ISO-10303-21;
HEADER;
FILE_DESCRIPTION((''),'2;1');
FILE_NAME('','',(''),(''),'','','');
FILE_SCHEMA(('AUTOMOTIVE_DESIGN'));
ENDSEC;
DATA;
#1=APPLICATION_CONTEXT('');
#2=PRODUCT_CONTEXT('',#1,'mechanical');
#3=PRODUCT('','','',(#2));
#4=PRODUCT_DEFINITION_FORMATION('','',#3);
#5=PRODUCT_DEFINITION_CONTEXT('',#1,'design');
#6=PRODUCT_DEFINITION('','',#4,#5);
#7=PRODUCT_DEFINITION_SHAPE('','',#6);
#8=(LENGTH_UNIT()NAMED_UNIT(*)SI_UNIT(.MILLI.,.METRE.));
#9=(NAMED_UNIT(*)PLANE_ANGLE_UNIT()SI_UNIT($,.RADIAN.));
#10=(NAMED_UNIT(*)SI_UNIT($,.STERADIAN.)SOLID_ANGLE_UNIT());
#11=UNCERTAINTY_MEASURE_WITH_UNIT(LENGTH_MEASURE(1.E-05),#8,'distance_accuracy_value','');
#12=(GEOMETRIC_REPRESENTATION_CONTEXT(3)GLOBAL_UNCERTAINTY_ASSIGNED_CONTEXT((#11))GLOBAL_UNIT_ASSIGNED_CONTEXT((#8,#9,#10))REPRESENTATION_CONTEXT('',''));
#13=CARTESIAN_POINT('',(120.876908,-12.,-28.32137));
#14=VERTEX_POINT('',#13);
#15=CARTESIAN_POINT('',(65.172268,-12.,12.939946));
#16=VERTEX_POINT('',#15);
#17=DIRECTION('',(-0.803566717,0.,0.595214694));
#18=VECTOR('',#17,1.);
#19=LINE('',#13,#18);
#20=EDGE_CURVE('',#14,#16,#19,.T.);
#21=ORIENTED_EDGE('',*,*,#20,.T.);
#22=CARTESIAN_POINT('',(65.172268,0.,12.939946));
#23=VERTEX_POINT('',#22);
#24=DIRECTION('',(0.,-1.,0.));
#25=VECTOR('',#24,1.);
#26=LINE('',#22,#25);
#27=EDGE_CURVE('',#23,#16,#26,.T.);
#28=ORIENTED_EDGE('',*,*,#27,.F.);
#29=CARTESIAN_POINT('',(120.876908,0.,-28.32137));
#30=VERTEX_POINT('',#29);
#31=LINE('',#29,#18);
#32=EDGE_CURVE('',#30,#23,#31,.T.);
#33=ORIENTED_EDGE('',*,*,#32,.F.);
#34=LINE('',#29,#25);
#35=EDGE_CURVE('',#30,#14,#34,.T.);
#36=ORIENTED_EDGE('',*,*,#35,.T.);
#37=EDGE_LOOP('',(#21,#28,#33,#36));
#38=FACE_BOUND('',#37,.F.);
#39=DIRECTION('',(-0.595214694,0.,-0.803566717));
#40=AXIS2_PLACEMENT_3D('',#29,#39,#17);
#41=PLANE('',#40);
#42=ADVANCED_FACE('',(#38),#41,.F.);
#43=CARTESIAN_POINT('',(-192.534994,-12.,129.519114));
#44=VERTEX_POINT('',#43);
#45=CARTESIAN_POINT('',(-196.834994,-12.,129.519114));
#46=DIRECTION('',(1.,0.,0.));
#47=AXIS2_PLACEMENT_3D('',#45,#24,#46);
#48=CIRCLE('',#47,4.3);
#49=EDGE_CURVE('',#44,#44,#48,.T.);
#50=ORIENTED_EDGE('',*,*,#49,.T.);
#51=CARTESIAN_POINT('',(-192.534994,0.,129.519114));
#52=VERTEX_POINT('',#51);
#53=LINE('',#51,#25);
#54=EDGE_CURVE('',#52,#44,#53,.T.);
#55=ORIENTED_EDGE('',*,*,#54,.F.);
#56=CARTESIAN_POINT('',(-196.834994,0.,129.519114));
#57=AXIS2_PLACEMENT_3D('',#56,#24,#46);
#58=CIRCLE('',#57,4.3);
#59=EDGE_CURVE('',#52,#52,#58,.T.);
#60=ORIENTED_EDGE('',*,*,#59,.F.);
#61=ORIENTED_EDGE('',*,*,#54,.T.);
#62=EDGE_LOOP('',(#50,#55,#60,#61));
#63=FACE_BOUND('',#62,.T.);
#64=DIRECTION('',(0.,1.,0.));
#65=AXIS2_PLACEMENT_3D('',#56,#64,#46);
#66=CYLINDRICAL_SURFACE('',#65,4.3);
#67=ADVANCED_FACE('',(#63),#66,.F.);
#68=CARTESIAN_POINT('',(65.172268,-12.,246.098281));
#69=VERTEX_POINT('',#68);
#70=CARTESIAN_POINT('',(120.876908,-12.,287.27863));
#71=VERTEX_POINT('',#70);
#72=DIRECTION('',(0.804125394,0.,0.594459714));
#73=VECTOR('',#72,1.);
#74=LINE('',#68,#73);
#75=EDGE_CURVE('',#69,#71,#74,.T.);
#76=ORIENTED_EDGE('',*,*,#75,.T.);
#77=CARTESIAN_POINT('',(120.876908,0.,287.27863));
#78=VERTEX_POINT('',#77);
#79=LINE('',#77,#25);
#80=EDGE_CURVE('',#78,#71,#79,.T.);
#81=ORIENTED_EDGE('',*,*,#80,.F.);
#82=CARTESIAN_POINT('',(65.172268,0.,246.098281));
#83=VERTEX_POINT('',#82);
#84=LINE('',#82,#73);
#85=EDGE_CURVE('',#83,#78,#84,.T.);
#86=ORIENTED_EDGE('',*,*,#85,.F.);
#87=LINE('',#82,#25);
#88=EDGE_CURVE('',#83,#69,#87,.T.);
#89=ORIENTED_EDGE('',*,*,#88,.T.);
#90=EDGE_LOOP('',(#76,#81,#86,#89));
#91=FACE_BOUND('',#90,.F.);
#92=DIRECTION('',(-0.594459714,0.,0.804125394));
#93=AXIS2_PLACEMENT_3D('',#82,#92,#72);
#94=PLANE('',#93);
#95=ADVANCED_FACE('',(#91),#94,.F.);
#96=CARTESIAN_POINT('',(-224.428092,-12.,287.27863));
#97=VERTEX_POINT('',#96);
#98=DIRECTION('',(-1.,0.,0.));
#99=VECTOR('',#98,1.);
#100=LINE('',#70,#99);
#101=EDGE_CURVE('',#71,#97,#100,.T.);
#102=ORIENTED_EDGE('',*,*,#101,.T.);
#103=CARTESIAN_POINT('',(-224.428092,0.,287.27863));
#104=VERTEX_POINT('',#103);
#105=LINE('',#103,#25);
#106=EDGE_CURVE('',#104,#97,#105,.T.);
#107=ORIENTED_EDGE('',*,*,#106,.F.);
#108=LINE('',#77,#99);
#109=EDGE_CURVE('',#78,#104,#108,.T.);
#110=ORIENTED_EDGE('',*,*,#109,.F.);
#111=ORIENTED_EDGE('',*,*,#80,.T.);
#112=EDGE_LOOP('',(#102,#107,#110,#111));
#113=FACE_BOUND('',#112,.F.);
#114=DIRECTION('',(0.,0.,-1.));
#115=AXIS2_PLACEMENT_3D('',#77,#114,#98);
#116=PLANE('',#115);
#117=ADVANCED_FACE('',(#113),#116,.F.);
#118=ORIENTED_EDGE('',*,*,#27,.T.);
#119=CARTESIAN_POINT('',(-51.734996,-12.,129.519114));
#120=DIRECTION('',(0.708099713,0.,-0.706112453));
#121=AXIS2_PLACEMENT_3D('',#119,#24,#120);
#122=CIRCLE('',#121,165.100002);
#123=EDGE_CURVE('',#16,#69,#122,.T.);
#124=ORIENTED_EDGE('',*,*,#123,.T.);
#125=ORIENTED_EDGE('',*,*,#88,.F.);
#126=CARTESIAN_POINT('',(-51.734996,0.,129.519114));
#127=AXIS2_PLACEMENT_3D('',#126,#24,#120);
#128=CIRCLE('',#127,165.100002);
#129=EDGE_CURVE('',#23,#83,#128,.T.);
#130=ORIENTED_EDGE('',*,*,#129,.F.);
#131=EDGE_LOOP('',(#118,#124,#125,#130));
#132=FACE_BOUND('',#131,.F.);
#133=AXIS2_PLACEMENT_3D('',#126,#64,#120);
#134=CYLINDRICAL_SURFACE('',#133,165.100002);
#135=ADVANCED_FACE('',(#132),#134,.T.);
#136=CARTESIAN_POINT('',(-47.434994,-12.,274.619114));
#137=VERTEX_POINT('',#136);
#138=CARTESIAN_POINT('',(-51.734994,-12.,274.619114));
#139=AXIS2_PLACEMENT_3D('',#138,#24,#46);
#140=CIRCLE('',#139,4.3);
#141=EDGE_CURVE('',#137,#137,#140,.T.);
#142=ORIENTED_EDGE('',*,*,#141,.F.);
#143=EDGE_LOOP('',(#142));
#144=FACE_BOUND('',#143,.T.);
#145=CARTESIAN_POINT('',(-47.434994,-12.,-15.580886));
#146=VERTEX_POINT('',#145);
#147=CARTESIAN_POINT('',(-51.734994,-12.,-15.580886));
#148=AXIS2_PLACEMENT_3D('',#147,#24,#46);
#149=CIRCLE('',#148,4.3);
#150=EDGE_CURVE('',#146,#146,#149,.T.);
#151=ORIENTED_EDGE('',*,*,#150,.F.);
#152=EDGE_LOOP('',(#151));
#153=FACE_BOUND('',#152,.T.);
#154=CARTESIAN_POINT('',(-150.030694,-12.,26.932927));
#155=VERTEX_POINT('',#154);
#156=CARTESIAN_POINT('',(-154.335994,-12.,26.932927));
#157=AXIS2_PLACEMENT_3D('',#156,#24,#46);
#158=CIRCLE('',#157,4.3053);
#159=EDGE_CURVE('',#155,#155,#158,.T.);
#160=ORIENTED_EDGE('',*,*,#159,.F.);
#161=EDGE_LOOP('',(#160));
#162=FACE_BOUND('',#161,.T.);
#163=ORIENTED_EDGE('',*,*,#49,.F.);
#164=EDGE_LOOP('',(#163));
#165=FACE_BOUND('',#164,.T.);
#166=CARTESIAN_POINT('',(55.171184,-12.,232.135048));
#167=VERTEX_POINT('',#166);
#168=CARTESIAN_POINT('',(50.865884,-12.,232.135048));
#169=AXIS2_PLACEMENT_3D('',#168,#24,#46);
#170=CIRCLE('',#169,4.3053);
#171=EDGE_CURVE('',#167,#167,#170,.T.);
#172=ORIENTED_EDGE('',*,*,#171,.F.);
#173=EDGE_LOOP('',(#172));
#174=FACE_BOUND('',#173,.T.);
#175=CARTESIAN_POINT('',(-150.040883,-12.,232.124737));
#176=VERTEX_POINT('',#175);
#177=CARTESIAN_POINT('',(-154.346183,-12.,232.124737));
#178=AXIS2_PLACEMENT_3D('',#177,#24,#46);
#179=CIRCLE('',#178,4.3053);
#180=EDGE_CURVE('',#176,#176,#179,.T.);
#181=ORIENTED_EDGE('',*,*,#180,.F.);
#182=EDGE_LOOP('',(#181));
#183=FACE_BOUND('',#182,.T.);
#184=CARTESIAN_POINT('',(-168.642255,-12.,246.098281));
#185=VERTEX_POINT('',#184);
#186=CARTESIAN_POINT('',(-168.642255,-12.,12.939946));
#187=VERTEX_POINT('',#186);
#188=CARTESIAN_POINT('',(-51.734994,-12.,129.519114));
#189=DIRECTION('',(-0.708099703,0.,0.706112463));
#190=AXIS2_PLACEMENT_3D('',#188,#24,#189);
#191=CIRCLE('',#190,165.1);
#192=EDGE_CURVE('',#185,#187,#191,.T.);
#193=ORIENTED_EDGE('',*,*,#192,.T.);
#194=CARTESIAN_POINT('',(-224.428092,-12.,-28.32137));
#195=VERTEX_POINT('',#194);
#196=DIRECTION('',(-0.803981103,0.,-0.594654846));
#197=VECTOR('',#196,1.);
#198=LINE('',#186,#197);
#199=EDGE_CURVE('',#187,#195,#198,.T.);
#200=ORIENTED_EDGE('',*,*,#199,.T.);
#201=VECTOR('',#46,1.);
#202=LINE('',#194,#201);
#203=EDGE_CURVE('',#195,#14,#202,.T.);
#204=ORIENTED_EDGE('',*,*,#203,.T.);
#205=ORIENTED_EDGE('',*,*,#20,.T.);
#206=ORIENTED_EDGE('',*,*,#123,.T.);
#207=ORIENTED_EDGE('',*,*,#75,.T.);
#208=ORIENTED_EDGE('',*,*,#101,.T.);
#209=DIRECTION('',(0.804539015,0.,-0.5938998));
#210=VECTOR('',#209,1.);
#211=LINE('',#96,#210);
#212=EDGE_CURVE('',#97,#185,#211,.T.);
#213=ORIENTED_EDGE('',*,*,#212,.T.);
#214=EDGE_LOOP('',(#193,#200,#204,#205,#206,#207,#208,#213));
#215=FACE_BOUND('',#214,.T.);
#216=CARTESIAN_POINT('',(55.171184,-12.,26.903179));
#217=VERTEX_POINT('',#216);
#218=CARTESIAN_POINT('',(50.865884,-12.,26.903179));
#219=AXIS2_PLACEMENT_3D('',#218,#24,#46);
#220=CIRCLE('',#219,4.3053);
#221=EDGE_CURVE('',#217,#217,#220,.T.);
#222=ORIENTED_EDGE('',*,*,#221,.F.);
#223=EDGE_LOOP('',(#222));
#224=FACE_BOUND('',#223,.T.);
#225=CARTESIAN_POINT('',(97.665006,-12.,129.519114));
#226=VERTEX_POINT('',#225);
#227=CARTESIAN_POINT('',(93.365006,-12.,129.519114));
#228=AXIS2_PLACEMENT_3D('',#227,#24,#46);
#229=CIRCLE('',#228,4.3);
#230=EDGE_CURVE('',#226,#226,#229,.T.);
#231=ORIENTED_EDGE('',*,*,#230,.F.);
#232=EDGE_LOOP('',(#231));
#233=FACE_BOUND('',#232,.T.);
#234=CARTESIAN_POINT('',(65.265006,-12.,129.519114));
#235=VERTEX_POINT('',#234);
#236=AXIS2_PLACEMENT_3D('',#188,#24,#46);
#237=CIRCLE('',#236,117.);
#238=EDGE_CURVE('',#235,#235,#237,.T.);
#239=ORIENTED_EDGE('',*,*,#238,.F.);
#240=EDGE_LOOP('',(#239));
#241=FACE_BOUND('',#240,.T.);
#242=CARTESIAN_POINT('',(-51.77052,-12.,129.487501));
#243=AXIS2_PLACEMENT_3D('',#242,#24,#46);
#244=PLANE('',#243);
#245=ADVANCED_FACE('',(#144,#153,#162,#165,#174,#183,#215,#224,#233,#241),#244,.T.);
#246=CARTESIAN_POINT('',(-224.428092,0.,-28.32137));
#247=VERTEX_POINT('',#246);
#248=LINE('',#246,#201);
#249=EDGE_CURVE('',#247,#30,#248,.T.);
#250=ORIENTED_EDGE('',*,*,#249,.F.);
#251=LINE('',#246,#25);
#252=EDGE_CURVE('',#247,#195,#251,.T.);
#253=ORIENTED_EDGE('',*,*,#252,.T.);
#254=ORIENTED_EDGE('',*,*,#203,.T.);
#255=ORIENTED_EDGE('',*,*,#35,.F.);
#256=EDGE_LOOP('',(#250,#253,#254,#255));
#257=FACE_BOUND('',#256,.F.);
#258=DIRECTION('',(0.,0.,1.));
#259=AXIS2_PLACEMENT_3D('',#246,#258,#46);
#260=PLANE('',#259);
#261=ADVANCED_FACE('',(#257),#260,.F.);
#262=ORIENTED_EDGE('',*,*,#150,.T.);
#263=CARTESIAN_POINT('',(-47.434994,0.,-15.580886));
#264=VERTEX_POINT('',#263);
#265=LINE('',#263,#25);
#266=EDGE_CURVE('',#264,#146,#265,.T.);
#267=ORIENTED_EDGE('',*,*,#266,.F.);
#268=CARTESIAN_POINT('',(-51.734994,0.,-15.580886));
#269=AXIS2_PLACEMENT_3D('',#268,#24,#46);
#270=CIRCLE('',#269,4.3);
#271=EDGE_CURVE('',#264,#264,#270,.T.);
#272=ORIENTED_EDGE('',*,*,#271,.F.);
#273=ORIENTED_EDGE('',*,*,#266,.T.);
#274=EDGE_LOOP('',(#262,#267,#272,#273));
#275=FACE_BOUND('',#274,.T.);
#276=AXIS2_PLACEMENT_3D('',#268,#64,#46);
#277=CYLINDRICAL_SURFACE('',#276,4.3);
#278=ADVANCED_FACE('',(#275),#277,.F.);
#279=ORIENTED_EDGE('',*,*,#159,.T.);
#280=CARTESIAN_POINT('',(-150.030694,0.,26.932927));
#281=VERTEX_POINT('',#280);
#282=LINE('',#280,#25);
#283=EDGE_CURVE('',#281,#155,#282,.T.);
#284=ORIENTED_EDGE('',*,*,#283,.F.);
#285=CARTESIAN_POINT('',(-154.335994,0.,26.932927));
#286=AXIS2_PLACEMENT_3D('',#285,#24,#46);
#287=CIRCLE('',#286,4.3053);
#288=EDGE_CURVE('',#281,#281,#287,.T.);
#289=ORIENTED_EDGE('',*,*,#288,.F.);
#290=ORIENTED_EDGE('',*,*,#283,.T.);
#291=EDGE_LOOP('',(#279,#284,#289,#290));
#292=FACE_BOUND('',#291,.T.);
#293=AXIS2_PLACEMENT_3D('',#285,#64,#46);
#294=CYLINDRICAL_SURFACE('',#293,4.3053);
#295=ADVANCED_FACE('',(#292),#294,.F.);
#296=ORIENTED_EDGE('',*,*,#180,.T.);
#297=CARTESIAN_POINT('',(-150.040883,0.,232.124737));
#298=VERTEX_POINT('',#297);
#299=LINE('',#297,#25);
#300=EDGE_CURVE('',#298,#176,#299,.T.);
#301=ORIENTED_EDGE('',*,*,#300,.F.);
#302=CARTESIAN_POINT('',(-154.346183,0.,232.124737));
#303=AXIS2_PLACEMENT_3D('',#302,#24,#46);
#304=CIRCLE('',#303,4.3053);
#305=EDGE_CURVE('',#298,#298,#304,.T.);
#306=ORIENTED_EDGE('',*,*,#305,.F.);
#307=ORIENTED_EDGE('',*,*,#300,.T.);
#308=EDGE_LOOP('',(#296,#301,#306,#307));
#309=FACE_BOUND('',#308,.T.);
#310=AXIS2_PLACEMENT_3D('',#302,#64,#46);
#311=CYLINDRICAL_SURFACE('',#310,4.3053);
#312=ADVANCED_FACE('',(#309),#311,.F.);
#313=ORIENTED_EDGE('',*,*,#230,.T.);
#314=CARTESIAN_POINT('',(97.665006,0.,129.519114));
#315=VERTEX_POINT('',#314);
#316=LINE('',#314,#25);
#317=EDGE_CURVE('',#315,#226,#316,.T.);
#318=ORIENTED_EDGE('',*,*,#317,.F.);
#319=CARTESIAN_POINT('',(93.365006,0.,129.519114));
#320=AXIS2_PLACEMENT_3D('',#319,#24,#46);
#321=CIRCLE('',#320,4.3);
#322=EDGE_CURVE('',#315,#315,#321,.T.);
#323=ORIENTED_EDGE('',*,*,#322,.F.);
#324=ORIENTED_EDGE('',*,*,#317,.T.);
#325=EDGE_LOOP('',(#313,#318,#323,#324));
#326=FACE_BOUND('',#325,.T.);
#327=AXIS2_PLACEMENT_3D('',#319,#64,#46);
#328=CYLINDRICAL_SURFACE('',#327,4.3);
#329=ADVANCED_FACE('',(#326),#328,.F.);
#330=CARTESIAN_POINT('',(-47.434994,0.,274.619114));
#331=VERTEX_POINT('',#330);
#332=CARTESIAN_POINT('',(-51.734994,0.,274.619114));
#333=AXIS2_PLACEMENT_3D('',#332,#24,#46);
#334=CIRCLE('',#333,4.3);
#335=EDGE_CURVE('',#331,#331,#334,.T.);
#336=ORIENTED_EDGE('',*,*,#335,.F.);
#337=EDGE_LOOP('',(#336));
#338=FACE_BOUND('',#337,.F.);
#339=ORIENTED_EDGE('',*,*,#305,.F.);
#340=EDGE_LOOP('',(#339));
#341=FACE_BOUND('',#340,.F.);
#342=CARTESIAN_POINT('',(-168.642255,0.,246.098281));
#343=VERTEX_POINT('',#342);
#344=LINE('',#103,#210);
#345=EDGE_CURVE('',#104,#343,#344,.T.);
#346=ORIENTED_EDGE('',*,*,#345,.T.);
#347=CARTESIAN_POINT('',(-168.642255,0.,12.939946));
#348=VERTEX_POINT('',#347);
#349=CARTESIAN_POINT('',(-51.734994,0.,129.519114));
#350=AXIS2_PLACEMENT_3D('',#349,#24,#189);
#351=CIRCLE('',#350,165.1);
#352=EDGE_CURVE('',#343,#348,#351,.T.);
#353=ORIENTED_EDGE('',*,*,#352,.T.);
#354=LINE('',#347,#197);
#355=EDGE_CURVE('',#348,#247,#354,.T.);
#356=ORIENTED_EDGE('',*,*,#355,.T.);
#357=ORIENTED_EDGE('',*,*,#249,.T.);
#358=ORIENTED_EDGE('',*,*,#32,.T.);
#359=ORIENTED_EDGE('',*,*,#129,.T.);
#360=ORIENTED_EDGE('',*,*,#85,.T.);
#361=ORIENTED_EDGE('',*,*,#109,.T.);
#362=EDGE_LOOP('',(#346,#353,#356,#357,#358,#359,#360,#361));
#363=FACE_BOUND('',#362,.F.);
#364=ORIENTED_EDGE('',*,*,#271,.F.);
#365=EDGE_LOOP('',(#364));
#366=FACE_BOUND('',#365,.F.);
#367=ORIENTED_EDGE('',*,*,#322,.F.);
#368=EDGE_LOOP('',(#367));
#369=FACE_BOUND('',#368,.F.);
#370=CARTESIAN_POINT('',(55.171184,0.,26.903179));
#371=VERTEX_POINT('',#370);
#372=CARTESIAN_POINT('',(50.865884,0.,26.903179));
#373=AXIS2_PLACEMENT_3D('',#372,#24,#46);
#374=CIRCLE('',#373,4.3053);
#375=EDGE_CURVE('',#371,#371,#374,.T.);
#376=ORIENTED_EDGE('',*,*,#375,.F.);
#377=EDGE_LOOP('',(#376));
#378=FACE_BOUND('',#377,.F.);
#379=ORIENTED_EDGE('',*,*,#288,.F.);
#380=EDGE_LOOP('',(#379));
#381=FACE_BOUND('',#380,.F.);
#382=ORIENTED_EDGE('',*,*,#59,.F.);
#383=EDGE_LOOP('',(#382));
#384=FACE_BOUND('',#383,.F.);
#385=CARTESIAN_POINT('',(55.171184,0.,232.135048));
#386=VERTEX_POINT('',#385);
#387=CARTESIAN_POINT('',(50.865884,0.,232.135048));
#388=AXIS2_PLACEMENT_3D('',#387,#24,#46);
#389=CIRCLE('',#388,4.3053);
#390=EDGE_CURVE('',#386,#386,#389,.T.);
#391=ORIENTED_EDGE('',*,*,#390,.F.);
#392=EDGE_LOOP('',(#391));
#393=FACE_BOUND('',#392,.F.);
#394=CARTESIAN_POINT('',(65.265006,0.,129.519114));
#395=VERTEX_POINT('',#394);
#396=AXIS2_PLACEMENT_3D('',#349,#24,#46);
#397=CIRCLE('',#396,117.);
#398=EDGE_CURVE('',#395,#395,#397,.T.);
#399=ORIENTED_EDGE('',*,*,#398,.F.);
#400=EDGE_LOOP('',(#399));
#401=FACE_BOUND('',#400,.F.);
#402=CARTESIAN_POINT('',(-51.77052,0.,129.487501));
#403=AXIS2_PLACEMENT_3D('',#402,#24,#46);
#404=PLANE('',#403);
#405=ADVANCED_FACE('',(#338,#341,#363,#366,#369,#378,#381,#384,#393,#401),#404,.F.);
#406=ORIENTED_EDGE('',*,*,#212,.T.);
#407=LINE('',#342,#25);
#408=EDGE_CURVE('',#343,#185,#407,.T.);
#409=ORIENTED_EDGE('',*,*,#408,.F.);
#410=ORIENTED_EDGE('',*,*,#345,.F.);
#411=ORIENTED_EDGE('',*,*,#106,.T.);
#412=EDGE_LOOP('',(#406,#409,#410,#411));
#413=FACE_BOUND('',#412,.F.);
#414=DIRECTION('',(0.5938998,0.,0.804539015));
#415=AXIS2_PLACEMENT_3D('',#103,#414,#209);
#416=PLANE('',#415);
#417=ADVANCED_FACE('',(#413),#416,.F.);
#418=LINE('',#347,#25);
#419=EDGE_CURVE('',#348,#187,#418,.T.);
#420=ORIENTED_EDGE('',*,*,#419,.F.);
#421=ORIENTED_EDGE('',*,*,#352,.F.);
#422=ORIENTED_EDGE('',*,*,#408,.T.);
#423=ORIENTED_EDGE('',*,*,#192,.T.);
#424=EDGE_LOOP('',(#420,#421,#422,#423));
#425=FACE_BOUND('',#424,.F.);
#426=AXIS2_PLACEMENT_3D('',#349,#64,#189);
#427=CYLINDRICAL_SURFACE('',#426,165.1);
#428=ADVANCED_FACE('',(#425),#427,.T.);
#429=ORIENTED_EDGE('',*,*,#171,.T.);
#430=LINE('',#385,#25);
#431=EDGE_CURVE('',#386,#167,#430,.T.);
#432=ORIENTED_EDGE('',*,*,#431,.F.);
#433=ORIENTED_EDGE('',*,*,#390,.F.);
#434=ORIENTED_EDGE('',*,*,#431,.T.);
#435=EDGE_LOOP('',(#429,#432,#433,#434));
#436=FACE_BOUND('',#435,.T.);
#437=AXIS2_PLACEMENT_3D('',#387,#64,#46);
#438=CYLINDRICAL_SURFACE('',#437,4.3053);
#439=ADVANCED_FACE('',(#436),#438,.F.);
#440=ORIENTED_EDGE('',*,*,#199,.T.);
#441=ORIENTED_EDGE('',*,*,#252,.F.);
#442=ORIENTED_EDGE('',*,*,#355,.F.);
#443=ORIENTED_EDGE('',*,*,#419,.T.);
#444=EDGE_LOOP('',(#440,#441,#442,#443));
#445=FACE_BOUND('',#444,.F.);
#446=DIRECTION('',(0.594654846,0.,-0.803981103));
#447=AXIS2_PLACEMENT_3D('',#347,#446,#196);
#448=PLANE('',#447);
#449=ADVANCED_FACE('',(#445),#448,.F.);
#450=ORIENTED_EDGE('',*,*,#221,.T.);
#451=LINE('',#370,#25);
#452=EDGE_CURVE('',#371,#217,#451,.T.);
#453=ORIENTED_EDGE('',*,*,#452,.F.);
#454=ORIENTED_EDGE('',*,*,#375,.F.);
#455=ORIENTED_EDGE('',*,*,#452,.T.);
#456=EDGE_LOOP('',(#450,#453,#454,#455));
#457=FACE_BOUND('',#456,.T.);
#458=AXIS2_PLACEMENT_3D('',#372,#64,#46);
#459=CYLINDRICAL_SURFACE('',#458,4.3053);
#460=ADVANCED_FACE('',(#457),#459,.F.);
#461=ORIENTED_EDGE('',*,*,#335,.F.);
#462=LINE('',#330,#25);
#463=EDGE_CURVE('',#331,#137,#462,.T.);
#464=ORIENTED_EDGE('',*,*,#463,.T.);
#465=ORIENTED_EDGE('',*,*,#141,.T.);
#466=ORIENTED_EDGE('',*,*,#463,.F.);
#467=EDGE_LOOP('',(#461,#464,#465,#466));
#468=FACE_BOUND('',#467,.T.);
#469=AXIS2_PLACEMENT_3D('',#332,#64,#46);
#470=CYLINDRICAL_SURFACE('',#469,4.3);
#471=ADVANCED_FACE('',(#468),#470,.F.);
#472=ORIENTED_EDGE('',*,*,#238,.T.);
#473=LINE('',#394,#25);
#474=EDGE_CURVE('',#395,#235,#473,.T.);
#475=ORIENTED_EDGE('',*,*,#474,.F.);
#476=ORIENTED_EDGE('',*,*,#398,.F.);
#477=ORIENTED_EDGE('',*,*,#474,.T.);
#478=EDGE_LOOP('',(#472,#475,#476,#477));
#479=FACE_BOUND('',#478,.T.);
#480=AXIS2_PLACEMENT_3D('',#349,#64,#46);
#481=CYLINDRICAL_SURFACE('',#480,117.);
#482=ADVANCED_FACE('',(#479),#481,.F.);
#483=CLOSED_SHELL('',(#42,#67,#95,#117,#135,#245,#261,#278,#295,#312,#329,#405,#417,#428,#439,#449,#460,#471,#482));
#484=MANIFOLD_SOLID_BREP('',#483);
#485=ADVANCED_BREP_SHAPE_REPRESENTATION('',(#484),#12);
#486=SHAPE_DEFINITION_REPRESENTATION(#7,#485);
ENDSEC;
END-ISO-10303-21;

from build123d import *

# Parameters (mm, degrees)
F0_R     = 4.3053
F0_R_2   = 4.3
F0_R_3   = 117
F1_DEPTH = 12


with BuildPart() as f1:
    # F0 (on Front) → F1 (new body)
    with BuildSketch(Plane.XZ):
        with BuildLine():
            Line((-168.642255, 12.939946), (-224.428092, -28.32137))
            Line((-224.428092, -28.32137), (120.876908, -28.32137))
            Line((120.876908, -28.32137), (65.172268, 12.939946))
            ThreePointArc((65.172268, 12.939946), (113.365006, 129.519114), (65.172268, 246.098281))
            Line((65.172268, 246.098281), (120.876908, 287.27863))
            Line((120.876908, 287.27863), (-224.428092, 287.27863))
            Line((-224.428092, 287.27863), (-168.642255, 246.098281))
            ThreePointArc((-168.642255, 246.098281), (-216.834994, 129.519114), (-168.642255, 12.939946))
        make_face()
        with Locations((-154.335994, 26.932927)):
            Circle(F0_R, mode=Mode.SUBTRACT)
        with Locations((-51.734994, -15.580886)):
            Circle(F0_R_2, mode=Mode.SUBTRACT)
        with Locations((50.865884, 26.903179)):
            Circle(F0_R, mode=Mode.SUBTRACT)
        with Locations((-196.834994, 129.519114)):
            Circle(F0_R_2, mode=Mode.SUBTRACT)
        with Locations((-154.346183, 232.124737)):
            Circle(F0_R, mode=Mode.SUBTRACT)
        with Locations((-51.734994, 129.519114)):
            Circle(F0_R_3, mode=Mode.SUBTRACT)
        with Locations((93.365006, 129.519114)):
            Circle(F0_R_2, mode=Mode.SUBTRACT)
        with Locations((-51.734994, 274.619114)):
            Circle(F0_R_2, mode=Mode.SUBTRACT)
        with Locations((50.865884, 232.135048)):
            Circle(F0_R, mode=Mode.SUBTRACT)
    extrude(amount=F1_DEPTH)


solid = f1.part
